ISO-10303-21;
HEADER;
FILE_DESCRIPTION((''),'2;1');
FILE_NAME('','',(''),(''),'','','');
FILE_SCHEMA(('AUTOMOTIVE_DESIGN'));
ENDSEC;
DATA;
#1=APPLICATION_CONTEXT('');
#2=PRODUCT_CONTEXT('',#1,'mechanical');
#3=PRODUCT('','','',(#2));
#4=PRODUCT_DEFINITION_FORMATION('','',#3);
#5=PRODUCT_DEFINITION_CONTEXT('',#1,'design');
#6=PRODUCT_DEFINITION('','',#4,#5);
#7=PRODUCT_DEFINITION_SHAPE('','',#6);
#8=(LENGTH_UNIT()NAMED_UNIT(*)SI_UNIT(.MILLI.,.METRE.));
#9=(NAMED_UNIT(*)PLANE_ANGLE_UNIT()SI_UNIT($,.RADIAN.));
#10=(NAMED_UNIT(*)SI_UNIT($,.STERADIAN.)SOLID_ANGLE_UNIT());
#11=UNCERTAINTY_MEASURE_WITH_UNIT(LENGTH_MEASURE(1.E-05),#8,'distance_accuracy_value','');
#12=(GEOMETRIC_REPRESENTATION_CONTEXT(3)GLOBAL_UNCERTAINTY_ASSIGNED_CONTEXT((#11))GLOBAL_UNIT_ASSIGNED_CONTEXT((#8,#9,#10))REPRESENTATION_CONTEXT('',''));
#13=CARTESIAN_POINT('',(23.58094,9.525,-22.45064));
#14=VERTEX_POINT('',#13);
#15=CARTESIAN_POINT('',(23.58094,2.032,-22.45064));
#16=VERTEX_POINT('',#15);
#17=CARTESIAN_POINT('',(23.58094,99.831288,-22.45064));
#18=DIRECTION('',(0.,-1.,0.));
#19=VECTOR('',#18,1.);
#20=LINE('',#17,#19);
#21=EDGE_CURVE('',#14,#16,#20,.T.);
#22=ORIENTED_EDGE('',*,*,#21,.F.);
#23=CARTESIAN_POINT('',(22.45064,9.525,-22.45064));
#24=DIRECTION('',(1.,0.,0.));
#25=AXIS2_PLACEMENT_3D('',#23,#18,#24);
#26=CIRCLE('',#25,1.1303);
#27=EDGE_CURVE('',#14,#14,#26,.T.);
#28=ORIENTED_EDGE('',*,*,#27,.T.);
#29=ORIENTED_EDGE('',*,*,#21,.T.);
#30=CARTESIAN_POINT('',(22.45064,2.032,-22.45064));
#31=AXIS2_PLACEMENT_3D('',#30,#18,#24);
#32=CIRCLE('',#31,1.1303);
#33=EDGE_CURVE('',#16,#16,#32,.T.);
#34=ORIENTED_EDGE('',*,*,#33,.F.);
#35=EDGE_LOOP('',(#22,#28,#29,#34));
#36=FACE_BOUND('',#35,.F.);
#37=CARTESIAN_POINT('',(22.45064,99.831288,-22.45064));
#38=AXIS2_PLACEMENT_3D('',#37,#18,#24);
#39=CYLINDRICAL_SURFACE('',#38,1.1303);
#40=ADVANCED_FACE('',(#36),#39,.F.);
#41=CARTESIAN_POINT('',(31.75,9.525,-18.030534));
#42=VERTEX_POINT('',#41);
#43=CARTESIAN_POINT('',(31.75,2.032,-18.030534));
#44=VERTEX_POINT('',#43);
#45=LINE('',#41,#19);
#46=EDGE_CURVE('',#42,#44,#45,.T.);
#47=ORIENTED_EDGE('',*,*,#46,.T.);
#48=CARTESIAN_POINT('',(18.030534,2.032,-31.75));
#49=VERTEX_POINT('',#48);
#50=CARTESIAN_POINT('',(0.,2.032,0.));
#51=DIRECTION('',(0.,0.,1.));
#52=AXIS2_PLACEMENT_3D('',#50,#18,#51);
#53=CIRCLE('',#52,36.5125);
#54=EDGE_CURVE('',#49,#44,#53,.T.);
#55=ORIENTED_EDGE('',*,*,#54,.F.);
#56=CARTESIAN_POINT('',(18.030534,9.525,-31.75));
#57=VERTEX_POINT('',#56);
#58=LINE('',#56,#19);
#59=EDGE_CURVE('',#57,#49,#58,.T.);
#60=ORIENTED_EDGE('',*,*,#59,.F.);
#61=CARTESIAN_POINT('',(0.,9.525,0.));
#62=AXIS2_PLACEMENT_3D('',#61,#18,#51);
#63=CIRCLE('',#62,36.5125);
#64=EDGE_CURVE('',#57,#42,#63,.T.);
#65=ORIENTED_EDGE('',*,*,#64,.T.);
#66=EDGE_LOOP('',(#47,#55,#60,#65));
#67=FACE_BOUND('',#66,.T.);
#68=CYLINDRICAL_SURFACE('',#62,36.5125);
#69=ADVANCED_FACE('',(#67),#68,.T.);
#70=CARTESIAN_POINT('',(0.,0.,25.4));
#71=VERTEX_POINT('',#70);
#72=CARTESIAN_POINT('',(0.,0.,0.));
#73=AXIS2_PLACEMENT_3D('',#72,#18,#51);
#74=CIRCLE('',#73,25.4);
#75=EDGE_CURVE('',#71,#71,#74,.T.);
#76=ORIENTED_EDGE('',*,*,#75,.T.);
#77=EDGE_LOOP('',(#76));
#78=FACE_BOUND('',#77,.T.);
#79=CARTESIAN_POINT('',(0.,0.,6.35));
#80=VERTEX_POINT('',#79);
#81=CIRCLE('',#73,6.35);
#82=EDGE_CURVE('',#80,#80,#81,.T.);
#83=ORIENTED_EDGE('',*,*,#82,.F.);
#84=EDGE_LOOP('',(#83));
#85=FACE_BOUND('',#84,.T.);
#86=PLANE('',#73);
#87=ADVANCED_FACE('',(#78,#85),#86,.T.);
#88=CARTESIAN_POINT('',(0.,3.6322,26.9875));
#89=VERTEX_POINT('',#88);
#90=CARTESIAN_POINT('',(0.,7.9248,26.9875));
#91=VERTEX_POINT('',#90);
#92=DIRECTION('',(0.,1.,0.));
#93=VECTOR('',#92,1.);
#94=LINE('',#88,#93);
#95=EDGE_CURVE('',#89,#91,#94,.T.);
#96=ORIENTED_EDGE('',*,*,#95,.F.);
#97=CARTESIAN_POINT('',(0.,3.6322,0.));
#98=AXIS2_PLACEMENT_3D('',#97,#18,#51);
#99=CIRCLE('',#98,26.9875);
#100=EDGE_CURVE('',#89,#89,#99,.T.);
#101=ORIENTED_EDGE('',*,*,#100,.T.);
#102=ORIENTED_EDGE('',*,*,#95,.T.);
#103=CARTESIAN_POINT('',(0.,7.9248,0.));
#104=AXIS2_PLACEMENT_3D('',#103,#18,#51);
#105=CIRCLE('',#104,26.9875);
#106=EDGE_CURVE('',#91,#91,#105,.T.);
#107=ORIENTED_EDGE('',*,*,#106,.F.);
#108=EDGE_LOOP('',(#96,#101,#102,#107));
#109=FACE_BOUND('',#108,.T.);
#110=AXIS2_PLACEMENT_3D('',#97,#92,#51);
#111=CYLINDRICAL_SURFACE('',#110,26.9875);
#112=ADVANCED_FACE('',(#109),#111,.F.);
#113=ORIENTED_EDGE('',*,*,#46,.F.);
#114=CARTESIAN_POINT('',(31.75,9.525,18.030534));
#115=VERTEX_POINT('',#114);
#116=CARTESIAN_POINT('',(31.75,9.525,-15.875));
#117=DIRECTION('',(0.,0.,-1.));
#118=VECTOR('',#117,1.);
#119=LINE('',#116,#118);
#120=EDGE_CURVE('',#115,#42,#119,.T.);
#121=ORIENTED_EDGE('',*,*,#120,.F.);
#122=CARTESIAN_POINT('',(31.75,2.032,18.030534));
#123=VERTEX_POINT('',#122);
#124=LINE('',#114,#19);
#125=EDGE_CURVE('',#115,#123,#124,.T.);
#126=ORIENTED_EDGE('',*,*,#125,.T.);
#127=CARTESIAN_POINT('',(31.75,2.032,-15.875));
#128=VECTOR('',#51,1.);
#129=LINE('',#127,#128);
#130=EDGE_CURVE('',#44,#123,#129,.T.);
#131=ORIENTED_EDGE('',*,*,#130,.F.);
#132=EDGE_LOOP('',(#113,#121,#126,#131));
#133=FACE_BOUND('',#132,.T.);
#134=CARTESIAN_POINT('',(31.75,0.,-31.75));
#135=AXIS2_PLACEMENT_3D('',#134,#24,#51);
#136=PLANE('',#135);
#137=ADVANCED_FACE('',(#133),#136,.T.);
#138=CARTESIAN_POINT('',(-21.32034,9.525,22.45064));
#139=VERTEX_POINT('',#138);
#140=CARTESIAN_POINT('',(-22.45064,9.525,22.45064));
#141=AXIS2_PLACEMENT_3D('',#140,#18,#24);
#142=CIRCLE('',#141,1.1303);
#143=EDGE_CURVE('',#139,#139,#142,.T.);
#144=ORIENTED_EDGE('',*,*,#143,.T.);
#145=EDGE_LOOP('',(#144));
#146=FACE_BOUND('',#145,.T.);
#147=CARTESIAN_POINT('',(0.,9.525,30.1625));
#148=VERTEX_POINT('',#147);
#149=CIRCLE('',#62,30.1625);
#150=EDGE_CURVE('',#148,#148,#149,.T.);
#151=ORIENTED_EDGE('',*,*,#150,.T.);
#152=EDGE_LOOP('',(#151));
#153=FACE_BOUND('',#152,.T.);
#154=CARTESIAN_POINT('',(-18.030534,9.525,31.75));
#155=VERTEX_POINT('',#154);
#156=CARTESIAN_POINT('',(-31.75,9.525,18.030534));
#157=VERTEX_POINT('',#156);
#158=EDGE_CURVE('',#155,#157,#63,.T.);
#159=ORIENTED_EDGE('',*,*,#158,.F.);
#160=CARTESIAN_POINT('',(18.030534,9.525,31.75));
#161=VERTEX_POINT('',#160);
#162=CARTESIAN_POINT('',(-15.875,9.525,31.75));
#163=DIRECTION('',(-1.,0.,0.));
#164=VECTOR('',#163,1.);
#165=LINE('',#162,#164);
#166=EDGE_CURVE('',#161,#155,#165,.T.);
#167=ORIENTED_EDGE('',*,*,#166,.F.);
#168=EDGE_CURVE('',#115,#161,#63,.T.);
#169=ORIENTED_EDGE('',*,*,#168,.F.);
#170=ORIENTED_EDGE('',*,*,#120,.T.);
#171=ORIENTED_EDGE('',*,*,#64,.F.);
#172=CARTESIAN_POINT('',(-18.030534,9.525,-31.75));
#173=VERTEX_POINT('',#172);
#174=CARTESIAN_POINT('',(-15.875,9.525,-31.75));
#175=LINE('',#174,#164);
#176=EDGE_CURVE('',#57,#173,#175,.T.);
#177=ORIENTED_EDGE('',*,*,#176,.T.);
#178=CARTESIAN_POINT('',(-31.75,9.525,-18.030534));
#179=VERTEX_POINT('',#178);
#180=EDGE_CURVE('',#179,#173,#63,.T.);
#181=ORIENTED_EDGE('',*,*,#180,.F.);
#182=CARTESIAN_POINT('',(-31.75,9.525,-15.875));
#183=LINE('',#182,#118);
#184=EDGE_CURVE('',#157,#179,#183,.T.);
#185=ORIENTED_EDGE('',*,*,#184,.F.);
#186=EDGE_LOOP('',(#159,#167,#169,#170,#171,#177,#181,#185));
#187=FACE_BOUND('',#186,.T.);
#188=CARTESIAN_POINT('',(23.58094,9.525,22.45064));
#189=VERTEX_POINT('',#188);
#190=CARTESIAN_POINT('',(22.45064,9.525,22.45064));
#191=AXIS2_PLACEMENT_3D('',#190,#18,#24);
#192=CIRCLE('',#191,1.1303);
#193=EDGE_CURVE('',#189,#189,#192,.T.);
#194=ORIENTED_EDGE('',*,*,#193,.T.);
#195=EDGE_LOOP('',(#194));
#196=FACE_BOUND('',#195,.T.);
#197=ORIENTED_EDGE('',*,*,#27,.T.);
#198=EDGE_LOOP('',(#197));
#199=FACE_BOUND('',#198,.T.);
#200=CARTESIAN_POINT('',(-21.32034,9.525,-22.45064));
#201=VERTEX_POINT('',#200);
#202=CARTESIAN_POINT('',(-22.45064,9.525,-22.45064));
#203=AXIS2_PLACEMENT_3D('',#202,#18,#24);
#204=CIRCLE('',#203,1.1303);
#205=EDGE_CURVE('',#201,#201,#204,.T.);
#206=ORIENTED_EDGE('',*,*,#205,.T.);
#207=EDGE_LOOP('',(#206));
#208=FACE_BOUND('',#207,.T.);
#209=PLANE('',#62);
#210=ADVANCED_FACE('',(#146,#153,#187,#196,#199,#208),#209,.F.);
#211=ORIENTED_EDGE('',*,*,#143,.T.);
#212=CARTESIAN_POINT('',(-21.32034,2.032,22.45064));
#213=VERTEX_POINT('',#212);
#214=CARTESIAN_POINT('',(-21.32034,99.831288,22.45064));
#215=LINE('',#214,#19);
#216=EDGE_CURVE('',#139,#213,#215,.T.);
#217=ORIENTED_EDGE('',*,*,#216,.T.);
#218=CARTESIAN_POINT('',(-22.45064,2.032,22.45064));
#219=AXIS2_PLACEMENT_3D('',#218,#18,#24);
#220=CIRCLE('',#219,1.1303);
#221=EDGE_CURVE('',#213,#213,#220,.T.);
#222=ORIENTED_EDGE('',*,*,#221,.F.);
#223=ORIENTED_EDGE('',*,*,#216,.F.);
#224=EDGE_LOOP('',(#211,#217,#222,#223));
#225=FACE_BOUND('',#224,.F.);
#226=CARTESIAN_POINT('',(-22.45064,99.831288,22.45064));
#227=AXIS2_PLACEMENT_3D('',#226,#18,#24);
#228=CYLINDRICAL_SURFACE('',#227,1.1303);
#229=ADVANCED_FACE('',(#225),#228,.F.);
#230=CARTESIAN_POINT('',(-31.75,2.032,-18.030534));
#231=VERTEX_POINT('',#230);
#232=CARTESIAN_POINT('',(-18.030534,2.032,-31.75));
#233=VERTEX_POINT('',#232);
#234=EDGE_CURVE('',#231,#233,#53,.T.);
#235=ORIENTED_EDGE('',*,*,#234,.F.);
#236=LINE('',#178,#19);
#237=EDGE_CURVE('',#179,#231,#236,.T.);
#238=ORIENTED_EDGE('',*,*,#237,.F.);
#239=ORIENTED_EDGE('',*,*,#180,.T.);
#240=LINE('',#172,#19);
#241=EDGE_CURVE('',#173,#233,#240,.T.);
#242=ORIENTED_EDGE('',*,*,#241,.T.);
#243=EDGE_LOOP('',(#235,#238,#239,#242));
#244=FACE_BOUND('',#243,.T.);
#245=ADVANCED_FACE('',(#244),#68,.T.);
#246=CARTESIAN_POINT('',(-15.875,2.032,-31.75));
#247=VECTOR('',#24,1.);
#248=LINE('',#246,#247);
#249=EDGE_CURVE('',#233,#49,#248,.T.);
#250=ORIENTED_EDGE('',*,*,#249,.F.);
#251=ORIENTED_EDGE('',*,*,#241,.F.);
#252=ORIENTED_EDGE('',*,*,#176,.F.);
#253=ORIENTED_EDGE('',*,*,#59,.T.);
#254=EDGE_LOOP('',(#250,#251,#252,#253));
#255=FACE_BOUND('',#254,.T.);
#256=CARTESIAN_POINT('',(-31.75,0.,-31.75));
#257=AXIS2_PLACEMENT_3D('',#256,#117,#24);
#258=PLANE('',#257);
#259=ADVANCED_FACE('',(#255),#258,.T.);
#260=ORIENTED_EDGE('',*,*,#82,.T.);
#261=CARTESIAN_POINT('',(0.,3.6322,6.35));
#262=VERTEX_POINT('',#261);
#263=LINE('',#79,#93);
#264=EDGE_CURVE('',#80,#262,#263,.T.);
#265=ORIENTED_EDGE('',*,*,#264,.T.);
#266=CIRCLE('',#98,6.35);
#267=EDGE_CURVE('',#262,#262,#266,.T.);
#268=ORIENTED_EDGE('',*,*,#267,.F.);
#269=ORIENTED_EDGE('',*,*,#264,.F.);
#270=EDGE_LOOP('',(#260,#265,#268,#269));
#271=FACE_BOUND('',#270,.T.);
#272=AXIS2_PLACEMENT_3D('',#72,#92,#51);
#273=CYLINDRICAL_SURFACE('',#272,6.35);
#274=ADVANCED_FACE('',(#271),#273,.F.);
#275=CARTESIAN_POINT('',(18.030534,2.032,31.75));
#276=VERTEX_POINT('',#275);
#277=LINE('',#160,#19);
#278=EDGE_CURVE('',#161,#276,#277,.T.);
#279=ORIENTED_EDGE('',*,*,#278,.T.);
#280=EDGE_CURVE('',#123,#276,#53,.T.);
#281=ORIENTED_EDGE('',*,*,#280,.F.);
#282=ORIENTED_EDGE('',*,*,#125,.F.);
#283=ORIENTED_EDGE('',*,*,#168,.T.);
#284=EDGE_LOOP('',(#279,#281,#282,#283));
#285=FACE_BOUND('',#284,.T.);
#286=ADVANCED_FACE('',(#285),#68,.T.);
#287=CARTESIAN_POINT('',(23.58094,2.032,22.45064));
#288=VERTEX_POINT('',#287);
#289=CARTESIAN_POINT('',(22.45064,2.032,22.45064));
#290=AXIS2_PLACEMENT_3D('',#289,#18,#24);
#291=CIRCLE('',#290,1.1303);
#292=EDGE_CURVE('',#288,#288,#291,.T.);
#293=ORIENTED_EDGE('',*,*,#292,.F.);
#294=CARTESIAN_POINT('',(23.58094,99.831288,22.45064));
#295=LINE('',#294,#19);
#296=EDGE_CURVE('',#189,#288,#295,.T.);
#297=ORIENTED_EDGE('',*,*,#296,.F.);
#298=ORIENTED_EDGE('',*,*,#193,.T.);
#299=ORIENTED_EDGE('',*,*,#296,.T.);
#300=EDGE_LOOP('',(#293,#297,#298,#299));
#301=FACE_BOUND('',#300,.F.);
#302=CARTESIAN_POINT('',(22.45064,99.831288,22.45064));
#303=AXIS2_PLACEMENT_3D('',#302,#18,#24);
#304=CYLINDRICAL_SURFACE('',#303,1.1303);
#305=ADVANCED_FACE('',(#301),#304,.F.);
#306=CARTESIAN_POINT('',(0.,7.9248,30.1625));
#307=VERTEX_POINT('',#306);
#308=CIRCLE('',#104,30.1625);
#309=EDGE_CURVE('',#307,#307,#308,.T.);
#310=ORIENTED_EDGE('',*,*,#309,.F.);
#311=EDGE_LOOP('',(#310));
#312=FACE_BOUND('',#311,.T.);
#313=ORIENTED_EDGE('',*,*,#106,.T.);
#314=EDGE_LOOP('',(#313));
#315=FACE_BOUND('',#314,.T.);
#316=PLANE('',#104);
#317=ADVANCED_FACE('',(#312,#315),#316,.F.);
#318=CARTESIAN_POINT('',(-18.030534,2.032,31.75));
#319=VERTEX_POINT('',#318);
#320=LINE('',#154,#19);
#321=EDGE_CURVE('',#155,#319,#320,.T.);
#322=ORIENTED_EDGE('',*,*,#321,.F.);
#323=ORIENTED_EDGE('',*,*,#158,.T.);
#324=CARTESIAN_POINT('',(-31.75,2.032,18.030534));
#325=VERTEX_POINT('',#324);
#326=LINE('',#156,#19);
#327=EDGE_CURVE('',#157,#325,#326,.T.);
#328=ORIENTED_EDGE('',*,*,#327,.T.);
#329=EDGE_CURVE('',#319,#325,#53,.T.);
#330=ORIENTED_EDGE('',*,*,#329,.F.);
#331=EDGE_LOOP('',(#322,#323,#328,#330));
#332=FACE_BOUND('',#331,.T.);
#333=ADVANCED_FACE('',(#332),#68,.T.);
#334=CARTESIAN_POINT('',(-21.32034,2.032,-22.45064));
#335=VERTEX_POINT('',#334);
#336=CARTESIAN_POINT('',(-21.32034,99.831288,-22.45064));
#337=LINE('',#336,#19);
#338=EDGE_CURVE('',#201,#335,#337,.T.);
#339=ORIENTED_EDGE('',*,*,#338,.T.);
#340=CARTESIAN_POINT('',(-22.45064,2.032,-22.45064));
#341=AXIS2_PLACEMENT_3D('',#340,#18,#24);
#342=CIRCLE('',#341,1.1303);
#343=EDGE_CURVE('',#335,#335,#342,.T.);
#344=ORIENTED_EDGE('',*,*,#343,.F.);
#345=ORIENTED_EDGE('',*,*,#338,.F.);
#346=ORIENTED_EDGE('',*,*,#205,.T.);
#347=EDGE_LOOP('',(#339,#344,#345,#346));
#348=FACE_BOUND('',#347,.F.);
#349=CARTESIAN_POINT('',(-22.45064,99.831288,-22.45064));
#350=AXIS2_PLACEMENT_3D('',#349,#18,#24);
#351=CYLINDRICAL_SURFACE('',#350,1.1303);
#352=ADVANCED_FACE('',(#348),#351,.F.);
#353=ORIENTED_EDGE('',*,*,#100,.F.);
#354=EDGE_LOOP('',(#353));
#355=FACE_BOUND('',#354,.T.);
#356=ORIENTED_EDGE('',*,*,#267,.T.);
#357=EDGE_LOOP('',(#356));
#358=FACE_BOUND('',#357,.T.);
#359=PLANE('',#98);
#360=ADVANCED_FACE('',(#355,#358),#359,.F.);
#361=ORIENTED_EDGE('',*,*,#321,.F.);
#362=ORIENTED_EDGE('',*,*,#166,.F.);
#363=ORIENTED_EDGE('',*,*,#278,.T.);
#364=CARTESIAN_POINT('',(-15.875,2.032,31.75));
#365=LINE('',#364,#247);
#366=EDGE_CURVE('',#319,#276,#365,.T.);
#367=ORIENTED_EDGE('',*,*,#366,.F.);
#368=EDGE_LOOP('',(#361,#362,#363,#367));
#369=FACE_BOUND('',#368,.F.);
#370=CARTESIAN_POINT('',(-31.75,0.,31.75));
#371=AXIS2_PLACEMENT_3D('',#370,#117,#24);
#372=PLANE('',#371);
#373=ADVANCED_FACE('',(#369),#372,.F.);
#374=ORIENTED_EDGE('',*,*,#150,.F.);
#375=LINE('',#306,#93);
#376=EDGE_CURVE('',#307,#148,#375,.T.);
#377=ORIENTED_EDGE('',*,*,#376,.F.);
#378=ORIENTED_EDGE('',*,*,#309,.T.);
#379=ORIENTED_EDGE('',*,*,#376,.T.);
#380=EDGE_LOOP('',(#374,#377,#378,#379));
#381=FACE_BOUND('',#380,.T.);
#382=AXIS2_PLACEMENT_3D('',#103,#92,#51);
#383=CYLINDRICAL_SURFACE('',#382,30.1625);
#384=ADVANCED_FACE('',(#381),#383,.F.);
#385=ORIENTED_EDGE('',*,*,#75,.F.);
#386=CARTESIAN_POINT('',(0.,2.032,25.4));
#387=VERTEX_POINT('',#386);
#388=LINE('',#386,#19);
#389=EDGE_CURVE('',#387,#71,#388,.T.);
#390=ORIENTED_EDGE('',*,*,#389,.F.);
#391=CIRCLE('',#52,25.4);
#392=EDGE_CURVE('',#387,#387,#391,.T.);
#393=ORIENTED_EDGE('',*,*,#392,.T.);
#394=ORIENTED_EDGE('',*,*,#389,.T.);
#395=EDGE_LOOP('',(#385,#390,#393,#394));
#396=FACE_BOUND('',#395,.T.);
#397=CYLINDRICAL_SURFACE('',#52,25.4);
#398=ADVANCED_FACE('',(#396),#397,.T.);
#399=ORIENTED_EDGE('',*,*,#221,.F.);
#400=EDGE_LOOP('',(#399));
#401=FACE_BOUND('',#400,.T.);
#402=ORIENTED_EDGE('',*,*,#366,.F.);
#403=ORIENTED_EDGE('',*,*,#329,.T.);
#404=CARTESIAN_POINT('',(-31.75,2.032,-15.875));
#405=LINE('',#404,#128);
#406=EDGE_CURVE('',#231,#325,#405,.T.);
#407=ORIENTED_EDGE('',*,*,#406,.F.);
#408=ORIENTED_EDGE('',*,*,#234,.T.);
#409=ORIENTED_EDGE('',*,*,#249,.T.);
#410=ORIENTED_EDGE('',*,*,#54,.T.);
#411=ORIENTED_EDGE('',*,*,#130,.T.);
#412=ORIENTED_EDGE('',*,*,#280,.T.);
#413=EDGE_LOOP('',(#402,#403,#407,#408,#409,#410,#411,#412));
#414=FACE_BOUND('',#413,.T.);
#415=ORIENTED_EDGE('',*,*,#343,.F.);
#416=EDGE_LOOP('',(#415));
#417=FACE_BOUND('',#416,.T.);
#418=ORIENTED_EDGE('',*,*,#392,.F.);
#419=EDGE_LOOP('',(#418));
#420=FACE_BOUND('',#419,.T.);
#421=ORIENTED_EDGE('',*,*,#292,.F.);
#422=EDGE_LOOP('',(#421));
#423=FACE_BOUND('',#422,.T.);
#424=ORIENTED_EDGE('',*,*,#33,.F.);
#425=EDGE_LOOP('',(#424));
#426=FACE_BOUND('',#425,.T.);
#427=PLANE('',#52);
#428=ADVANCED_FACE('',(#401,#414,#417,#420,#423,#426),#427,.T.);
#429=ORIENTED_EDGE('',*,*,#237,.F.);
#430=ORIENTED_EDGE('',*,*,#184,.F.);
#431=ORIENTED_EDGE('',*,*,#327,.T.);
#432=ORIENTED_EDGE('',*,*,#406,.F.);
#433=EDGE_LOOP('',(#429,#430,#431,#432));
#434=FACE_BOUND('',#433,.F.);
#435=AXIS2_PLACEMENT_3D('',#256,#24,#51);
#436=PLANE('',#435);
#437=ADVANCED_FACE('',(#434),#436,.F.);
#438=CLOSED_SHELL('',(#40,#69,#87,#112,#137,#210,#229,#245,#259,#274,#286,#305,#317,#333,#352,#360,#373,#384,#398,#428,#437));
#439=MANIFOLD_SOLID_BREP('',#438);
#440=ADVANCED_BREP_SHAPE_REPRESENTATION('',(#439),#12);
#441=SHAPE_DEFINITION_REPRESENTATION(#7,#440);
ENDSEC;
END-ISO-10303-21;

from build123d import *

# Parameters (mm, degrees)
F2_W     = 63.5
F2_H     = 63.5
F3_DEPTH = 9.526
F5_D     = 2.2606


with BuildPart() as f1:
    # F0 (on Right) → F1 (revolve)
    with BuildSketch(Plane.YZ):
        Polygon((0, 25.4), (0, 6.35), (3.6322, 6.35), (3.6322, 26.9875), (7.9248, 26.9875), (7.9248, 30.1625), (9.525, 30.1625), (9.525, 36.5125), (2.032, 36.5125), (2.032, 25.4), align=None)
    revolve(axis=Axis((0, 1.8161, 0), (0, -1, 0)))

    # F2 (on Front) → F3 (intersect, through all)
    with BuildSketch(Plane.XZ):
        Rectangle(F2_W, F2_H)
    extrude(amount=-F3_DEPTH, mode=Mode.INTERSECT)

    # F5 (through all)
    with Locations(Plane(origin=(0, 9.525, 0), x_dir=(-1, 0, 0), z_dir=(0, 1, 0))):
        with Locations((-22.4506403027, 22.4506403027), (22.4506403027, 22.4506403027), (22.4506403027, -22.4506403027), (-22.4506403027, -22.4506403027)):
            Hole(F5_D / 2)


solid = f1.part
